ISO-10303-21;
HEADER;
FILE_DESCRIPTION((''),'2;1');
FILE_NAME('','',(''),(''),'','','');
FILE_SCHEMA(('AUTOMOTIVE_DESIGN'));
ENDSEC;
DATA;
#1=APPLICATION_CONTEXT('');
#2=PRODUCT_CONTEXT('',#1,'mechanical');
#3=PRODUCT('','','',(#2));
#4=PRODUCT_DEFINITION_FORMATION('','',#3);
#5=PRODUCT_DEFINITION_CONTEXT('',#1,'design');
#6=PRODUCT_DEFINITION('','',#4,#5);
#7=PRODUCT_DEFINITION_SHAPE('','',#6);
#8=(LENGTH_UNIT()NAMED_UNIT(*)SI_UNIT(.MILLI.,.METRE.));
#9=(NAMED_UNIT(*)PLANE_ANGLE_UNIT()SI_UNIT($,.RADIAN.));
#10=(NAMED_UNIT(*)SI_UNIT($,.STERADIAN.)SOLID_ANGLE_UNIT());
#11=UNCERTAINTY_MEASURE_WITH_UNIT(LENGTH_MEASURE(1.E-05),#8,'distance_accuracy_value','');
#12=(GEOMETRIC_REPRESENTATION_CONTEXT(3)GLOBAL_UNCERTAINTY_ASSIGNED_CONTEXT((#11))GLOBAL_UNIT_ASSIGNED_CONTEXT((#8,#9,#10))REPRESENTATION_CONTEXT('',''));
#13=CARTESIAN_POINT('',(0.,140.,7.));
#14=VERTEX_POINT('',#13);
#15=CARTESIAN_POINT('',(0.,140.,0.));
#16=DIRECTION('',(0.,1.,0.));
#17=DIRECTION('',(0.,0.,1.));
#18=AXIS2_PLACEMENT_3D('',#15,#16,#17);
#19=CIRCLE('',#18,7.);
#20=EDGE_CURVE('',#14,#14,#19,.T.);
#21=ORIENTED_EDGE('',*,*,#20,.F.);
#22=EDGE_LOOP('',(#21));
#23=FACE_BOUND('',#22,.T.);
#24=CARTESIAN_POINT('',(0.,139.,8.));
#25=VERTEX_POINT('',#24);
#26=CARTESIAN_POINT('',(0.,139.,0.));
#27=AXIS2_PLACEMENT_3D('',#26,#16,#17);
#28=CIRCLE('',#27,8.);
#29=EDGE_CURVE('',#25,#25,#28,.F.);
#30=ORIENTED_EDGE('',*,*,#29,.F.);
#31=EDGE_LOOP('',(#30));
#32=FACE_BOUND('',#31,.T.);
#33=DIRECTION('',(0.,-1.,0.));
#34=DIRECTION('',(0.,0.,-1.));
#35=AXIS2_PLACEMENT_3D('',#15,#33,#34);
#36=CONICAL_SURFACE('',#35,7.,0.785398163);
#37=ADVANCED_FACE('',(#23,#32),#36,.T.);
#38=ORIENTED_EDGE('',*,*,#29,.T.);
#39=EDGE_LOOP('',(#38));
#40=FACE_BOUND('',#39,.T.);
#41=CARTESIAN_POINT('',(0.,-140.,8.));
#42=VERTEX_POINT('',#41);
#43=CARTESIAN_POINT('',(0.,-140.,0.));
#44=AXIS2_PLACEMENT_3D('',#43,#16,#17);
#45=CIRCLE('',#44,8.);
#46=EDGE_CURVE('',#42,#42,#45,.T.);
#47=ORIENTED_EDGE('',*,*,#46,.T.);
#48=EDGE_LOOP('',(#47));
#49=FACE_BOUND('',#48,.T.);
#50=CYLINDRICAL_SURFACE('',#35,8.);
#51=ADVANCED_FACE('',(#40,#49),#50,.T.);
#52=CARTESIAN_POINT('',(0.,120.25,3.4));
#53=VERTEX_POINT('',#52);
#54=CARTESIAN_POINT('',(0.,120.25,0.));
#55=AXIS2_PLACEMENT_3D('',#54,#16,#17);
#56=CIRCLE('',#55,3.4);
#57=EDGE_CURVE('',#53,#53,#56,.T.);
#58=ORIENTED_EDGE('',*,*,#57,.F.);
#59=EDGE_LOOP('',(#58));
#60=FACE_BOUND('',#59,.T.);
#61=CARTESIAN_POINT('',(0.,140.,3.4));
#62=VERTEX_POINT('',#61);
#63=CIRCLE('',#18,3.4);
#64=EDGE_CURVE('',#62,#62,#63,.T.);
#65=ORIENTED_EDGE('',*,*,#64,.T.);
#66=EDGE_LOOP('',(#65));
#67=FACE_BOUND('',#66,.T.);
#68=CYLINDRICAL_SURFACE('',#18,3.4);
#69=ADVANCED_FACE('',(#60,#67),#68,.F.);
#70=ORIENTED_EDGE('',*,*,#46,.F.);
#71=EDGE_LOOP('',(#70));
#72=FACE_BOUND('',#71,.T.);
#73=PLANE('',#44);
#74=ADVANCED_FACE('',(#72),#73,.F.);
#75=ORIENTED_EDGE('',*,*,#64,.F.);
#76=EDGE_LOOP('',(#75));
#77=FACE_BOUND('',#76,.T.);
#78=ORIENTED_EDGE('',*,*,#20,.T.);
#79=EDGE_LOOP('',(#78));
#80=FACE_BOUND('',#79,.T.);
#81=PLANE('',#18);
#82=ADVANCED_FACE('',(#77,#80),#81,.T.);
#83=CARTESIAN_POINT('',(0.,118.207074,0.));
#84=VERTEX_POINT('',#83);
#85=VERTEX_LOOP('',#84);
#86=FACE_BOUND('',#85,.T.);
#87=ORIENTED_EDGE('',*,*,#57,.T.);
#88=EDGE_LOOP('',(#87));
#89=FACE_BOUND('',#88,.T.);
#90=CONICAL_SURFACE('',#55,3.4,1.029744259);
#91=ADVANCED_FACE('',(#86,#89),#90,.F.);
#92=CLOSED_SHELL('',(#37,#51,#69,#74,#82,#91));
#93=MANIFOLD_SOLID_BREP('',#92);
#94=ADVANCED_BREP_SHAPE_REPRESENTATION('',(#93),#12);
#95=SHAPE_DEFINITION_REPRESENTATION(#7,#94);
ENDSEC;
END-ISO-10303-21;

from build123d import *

# Parameters (mm, degrees)
SKETCH1_R             = 8
BOSS_EXTRUDE1_DEPTH   = 140
M8_TAPPED_HOLE1_D     = 6.8
M8_TAPPED_HOLE1_DEPTH = 19.75
M8_TAPPED_HOLE1_TIP   = 2.042926105
CHAMFER1_SIZE         = 1


with BuildPart() as part:
    # Sketch1 → Boss-Extrude1 (new body, symmetric)
    with BuildSketch(Plane(origin=(0, 0, 0), x_dir=(1, 0, 0), z_dir=(0, 1, 0))):
        Circle(SKETCH1_R)
    extrude(amount=BOSS_EXTRUDE1_DEPTH, both=True)

    # M8 Tapped Hole1
    with Locations(Plane(origin=(0, 140, 0), x_dir=(1, 0, 0), z_dir=(0, 1, 0))):
        with Locations((0, 0)):
            Hole(M8_TAPPED_HOLE1_D / 2, depth=M8_TAPPED_HOLE1_DEPTH)
            with Locations((0, 0, -(M8_TAPPED_HOLE1_DEPTH + M8_TAPPED_HOLE1_TIP / 2))):  # 118° drill point
                Cone(0, M8_TAPPED_HOLE1_D / 2, M8_TAPPED_HOLE1_TIP, mode=Mode.SUBTRACT)

    # Chamfer1
    chamfer1_edges = [part.edges().sort_by_distance(p)[0] for p in [
        (-8, 140, 0),
    ]]
    chamfer(chamfer1_edges, length=CHAMFER1_SIZE)


solid = part.part
